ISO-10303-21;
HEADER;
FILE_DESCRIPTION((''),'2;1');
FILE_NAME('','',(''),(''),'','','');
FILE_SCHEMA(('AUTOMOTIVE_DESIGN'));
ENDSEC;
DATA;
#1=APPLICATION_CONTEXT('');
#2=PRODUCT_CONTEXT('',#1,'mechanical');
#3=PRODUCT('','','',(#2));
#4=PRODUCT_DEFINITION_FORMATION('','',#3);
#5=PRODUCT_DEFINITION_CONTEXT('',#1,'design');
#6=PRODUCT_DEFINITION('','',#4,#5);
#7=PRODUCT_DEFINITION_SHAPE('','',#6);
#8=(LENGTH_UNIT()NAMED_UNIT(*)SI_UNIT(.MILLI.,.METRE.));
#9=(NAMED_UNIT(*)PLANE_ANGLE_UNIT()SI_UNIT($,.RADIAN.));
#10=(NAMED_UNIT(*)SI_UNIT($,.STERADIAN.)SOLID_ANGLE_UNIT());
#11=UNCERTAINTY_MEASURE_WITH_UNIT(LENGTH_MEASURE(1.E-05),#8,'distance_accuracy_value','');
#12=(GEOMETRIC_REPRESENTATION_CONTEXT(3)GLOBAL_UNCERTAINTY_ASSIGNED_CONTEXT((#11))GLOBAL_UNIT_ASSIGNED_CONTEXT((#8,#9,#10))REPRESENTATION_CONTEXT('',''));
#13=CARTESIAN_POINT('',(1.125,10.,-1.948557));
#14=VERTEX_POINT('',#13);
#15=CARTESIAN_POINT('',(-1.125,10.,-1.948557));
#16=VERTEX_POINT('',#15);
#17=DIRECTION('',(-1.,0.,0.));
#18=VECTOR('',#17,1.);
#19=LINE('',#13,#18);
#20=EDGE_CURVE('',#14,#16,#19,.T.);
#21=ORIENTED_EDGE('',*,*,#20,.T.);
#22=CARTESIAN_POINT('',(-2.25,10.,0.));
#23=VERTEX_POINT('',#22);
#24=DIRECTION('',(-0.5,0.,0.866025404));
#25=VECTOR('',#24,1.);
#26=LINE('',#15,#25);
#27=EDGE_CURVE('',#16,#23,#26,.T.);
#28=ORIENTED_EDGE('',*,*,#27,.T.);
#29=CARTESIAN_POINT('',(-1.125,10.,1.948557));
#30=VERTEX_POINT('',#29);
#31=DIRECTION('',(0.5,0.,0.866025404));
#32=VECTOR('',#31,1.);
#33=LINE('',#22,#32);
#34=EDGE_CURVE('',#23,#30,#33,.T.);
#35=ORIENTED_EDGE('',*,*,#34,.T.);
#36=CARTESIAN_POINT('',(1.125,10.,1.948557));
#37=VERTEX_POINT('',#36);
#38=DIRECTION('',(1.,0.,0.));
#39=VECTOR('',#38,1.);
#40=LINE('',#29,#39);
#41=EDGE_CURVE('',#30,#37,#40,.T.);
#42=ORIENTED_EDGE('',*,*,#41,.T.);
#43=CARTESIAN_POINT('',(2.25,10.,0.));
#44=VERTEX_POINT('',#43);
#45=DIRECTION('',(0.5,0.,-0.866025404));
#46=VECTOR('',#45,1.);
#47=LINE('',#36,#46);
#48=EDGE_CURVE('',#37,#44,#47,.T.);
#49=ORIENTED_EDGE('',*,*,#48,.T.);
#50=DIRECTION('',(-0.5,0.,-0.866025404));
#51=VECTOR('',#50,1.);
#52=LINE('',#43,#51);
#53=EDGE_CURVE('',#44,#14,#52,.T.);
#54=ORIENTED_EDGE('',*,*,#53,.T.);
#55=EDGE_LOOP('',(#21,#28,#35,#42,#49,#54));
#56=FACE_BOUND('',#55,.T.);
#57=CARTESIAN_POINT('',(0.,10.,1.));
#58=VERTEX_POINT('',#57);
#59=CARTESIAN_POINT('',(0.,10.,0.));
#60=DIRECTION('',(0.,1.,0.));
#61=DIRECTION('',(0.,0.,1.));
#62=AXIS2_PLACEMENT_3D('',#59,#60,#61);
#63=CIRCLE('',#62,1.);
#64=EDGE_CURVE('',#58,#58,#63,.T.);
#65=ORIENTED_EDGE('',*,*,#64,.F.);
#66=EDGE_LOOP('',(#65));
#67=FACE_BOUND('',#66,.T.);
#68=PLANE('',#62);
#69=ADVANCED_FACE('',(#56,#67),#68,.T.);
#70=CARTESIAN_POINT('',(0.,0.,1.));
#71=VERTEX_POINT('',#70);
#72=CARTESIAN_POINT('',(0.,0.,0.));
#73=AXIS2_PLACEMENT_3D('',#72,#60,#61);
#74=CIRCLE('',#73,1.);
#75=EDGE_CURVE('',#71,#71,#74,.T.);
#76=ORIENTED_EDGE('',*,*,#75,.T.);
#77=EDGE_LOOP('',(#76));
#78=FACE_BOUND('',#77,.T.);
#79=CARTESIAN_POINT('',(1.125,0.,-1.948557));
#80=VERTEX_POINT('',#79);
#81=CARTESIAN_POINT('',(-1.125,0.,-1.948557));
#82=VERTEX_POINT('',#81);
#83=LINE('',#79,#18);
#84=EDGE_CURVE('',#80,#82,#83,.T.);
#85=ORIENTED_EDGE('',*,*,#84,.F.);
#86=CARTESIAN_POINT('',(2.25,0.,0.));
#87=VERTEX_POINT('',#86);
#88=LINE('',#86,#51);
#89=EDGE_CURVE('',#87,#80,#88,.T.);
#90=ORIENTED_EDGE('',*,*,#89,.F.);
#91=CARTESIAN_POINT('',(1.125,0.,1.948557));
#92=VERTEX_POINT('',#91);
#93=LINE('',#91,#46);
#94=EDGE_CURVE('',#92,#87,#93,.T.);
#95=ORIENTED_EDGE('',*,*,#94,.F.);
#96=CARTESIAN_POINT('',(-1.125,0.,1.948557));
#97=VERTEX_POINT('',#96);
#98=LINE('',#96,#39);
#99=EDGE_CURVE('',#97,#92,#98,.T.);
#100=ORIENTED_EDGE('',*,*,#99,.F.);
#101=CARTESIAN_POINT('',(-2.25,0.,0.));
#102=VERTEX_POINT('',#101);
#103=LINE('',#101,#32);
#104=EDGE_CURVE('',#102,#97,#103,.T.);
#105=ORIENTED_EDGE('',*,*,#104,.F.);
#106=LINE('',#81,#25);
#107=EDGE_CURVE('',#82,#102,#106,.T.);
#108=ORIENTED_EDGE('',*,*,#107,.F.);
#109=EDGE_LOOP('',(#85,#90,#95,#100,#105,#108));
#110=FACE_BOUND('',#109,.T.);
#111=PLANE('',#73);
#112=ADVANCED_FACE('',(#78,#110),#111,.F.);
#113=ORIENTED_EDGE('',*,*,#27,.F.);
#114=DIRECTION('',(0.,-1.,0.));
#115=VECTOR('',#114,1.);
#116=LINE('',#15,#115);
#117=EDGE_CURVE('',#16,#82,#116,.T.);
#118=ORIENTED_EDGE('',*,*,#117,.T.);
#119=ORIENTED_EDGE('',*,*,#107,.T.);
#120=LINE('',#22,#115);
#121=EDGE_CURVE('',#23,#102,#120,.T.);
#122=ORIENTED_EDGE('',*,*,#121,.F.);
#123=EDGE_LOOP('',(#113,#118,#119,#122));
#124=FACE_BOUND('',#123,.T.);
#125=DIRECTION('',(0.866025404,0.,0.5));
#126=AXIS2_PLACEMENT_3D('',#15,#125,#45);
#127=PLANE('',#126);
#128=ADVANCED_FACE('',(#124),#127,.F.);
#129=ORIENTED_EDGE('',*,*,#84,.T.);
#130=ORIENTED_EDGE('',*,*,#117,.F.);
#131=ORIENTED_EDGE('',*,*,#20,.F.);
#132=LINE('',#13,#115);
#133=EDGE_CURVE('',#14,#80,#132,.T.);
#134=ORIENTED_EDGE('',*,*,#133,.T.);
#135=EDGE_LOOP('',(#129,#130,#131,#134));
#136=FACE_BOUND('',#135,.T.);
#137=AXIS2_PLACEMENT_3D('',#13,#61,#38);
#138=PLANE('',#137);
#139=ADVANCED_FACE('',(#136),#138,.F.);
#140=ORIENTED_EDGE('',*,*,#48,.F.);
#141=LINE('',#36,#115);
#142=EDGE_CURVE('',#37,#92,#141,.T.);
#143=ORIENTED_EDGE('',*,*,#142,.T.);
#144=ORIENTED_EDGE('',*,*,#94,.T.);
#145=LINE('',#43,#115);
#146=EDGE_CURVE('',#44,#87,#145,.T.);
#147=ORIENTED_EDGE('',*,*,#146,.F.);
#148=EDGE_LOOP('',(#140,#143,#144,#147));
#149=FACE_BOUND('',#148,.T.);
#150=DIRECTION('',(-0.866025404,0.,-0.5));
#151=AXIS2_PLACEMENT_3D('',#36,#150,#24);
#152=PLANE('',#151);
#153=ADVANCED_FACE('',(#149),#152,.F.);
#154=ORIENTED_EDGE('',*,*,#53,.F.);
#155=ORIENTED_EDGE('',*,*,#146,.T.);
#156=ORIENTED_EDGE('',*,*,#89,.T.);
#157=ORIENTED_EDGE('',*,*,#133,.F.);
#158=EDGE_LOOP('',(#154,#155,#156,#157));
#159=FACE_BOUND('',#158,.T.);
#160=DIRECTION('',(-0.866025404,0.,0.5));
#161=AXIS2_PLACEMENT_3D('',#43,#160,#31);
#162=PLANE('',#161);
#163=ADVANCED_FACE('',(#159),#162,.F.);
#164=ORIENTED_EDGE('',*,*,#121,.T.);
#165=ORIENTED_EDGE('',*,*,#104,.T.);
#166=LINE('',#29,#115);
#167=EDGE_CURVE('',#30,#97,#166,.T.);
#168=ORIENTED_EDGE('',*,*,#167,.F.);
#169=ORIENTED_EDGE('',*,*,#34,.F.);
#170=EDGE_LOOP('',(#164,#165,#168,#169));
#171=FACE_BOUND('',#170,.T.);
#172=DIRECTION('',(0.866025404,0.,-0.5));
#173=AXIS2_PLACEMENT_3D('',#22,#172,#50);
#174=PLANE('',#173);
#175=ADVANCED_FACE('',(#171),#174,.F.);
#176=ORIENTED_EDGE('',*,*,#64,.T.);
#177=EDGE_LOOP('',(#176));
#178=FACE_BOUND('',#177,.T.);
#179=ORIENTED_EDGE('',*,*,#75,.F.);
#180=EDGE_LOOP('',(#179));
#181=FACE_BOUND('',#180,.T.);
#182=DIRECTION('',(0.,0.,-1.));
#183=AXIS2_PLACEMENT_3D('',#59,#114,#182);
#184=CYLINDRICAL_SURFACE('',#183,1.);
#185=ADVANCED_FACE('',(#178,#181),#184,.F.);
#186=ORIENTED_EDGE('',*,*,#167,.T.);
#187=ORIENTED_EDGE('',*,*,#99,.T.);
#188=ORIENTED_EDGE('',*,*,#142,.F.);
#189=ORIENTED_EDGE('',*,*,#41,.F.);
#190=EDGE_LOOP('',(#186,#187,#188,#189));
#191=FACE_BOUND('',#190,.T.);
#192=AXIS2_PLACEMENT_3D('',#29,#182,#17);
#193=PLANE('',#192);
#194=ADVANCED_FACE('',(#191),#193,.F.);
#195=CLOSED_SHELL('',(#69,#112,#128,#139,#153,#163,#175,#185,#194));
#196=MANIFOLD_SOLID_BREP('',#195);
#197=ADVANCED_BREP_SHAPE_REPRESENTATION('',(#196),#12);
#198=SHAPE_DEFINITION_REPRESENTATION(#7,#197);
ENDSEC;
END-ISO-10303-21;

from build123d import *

# Parameters (mm, degrees)
SKETCH1_R           = 1
BOSS_EXTRUDE1_DEPTH = 10


with BuildPart() as part:
    # Sketch1 → Boss-Extrude1 (new body)
    with BuildSketch(Plane(origin=(0, 0, 0), x_dir=(1, 0, 0), z_dir=(0, 1, 0))):
        Polygon((2.25, 0), (1.125, 1.948557159), (-1.125, 1.948557159), (-2.25, 0), (-1.125, -1.948557159), (1.125, -1.948557159), align=None)
        Circle(SKETCH1_R, mode=Mode.SUBTRACT)
    extrude(amount=BOSS_EXTRUDE1_DEPTH)


solid = part.part
